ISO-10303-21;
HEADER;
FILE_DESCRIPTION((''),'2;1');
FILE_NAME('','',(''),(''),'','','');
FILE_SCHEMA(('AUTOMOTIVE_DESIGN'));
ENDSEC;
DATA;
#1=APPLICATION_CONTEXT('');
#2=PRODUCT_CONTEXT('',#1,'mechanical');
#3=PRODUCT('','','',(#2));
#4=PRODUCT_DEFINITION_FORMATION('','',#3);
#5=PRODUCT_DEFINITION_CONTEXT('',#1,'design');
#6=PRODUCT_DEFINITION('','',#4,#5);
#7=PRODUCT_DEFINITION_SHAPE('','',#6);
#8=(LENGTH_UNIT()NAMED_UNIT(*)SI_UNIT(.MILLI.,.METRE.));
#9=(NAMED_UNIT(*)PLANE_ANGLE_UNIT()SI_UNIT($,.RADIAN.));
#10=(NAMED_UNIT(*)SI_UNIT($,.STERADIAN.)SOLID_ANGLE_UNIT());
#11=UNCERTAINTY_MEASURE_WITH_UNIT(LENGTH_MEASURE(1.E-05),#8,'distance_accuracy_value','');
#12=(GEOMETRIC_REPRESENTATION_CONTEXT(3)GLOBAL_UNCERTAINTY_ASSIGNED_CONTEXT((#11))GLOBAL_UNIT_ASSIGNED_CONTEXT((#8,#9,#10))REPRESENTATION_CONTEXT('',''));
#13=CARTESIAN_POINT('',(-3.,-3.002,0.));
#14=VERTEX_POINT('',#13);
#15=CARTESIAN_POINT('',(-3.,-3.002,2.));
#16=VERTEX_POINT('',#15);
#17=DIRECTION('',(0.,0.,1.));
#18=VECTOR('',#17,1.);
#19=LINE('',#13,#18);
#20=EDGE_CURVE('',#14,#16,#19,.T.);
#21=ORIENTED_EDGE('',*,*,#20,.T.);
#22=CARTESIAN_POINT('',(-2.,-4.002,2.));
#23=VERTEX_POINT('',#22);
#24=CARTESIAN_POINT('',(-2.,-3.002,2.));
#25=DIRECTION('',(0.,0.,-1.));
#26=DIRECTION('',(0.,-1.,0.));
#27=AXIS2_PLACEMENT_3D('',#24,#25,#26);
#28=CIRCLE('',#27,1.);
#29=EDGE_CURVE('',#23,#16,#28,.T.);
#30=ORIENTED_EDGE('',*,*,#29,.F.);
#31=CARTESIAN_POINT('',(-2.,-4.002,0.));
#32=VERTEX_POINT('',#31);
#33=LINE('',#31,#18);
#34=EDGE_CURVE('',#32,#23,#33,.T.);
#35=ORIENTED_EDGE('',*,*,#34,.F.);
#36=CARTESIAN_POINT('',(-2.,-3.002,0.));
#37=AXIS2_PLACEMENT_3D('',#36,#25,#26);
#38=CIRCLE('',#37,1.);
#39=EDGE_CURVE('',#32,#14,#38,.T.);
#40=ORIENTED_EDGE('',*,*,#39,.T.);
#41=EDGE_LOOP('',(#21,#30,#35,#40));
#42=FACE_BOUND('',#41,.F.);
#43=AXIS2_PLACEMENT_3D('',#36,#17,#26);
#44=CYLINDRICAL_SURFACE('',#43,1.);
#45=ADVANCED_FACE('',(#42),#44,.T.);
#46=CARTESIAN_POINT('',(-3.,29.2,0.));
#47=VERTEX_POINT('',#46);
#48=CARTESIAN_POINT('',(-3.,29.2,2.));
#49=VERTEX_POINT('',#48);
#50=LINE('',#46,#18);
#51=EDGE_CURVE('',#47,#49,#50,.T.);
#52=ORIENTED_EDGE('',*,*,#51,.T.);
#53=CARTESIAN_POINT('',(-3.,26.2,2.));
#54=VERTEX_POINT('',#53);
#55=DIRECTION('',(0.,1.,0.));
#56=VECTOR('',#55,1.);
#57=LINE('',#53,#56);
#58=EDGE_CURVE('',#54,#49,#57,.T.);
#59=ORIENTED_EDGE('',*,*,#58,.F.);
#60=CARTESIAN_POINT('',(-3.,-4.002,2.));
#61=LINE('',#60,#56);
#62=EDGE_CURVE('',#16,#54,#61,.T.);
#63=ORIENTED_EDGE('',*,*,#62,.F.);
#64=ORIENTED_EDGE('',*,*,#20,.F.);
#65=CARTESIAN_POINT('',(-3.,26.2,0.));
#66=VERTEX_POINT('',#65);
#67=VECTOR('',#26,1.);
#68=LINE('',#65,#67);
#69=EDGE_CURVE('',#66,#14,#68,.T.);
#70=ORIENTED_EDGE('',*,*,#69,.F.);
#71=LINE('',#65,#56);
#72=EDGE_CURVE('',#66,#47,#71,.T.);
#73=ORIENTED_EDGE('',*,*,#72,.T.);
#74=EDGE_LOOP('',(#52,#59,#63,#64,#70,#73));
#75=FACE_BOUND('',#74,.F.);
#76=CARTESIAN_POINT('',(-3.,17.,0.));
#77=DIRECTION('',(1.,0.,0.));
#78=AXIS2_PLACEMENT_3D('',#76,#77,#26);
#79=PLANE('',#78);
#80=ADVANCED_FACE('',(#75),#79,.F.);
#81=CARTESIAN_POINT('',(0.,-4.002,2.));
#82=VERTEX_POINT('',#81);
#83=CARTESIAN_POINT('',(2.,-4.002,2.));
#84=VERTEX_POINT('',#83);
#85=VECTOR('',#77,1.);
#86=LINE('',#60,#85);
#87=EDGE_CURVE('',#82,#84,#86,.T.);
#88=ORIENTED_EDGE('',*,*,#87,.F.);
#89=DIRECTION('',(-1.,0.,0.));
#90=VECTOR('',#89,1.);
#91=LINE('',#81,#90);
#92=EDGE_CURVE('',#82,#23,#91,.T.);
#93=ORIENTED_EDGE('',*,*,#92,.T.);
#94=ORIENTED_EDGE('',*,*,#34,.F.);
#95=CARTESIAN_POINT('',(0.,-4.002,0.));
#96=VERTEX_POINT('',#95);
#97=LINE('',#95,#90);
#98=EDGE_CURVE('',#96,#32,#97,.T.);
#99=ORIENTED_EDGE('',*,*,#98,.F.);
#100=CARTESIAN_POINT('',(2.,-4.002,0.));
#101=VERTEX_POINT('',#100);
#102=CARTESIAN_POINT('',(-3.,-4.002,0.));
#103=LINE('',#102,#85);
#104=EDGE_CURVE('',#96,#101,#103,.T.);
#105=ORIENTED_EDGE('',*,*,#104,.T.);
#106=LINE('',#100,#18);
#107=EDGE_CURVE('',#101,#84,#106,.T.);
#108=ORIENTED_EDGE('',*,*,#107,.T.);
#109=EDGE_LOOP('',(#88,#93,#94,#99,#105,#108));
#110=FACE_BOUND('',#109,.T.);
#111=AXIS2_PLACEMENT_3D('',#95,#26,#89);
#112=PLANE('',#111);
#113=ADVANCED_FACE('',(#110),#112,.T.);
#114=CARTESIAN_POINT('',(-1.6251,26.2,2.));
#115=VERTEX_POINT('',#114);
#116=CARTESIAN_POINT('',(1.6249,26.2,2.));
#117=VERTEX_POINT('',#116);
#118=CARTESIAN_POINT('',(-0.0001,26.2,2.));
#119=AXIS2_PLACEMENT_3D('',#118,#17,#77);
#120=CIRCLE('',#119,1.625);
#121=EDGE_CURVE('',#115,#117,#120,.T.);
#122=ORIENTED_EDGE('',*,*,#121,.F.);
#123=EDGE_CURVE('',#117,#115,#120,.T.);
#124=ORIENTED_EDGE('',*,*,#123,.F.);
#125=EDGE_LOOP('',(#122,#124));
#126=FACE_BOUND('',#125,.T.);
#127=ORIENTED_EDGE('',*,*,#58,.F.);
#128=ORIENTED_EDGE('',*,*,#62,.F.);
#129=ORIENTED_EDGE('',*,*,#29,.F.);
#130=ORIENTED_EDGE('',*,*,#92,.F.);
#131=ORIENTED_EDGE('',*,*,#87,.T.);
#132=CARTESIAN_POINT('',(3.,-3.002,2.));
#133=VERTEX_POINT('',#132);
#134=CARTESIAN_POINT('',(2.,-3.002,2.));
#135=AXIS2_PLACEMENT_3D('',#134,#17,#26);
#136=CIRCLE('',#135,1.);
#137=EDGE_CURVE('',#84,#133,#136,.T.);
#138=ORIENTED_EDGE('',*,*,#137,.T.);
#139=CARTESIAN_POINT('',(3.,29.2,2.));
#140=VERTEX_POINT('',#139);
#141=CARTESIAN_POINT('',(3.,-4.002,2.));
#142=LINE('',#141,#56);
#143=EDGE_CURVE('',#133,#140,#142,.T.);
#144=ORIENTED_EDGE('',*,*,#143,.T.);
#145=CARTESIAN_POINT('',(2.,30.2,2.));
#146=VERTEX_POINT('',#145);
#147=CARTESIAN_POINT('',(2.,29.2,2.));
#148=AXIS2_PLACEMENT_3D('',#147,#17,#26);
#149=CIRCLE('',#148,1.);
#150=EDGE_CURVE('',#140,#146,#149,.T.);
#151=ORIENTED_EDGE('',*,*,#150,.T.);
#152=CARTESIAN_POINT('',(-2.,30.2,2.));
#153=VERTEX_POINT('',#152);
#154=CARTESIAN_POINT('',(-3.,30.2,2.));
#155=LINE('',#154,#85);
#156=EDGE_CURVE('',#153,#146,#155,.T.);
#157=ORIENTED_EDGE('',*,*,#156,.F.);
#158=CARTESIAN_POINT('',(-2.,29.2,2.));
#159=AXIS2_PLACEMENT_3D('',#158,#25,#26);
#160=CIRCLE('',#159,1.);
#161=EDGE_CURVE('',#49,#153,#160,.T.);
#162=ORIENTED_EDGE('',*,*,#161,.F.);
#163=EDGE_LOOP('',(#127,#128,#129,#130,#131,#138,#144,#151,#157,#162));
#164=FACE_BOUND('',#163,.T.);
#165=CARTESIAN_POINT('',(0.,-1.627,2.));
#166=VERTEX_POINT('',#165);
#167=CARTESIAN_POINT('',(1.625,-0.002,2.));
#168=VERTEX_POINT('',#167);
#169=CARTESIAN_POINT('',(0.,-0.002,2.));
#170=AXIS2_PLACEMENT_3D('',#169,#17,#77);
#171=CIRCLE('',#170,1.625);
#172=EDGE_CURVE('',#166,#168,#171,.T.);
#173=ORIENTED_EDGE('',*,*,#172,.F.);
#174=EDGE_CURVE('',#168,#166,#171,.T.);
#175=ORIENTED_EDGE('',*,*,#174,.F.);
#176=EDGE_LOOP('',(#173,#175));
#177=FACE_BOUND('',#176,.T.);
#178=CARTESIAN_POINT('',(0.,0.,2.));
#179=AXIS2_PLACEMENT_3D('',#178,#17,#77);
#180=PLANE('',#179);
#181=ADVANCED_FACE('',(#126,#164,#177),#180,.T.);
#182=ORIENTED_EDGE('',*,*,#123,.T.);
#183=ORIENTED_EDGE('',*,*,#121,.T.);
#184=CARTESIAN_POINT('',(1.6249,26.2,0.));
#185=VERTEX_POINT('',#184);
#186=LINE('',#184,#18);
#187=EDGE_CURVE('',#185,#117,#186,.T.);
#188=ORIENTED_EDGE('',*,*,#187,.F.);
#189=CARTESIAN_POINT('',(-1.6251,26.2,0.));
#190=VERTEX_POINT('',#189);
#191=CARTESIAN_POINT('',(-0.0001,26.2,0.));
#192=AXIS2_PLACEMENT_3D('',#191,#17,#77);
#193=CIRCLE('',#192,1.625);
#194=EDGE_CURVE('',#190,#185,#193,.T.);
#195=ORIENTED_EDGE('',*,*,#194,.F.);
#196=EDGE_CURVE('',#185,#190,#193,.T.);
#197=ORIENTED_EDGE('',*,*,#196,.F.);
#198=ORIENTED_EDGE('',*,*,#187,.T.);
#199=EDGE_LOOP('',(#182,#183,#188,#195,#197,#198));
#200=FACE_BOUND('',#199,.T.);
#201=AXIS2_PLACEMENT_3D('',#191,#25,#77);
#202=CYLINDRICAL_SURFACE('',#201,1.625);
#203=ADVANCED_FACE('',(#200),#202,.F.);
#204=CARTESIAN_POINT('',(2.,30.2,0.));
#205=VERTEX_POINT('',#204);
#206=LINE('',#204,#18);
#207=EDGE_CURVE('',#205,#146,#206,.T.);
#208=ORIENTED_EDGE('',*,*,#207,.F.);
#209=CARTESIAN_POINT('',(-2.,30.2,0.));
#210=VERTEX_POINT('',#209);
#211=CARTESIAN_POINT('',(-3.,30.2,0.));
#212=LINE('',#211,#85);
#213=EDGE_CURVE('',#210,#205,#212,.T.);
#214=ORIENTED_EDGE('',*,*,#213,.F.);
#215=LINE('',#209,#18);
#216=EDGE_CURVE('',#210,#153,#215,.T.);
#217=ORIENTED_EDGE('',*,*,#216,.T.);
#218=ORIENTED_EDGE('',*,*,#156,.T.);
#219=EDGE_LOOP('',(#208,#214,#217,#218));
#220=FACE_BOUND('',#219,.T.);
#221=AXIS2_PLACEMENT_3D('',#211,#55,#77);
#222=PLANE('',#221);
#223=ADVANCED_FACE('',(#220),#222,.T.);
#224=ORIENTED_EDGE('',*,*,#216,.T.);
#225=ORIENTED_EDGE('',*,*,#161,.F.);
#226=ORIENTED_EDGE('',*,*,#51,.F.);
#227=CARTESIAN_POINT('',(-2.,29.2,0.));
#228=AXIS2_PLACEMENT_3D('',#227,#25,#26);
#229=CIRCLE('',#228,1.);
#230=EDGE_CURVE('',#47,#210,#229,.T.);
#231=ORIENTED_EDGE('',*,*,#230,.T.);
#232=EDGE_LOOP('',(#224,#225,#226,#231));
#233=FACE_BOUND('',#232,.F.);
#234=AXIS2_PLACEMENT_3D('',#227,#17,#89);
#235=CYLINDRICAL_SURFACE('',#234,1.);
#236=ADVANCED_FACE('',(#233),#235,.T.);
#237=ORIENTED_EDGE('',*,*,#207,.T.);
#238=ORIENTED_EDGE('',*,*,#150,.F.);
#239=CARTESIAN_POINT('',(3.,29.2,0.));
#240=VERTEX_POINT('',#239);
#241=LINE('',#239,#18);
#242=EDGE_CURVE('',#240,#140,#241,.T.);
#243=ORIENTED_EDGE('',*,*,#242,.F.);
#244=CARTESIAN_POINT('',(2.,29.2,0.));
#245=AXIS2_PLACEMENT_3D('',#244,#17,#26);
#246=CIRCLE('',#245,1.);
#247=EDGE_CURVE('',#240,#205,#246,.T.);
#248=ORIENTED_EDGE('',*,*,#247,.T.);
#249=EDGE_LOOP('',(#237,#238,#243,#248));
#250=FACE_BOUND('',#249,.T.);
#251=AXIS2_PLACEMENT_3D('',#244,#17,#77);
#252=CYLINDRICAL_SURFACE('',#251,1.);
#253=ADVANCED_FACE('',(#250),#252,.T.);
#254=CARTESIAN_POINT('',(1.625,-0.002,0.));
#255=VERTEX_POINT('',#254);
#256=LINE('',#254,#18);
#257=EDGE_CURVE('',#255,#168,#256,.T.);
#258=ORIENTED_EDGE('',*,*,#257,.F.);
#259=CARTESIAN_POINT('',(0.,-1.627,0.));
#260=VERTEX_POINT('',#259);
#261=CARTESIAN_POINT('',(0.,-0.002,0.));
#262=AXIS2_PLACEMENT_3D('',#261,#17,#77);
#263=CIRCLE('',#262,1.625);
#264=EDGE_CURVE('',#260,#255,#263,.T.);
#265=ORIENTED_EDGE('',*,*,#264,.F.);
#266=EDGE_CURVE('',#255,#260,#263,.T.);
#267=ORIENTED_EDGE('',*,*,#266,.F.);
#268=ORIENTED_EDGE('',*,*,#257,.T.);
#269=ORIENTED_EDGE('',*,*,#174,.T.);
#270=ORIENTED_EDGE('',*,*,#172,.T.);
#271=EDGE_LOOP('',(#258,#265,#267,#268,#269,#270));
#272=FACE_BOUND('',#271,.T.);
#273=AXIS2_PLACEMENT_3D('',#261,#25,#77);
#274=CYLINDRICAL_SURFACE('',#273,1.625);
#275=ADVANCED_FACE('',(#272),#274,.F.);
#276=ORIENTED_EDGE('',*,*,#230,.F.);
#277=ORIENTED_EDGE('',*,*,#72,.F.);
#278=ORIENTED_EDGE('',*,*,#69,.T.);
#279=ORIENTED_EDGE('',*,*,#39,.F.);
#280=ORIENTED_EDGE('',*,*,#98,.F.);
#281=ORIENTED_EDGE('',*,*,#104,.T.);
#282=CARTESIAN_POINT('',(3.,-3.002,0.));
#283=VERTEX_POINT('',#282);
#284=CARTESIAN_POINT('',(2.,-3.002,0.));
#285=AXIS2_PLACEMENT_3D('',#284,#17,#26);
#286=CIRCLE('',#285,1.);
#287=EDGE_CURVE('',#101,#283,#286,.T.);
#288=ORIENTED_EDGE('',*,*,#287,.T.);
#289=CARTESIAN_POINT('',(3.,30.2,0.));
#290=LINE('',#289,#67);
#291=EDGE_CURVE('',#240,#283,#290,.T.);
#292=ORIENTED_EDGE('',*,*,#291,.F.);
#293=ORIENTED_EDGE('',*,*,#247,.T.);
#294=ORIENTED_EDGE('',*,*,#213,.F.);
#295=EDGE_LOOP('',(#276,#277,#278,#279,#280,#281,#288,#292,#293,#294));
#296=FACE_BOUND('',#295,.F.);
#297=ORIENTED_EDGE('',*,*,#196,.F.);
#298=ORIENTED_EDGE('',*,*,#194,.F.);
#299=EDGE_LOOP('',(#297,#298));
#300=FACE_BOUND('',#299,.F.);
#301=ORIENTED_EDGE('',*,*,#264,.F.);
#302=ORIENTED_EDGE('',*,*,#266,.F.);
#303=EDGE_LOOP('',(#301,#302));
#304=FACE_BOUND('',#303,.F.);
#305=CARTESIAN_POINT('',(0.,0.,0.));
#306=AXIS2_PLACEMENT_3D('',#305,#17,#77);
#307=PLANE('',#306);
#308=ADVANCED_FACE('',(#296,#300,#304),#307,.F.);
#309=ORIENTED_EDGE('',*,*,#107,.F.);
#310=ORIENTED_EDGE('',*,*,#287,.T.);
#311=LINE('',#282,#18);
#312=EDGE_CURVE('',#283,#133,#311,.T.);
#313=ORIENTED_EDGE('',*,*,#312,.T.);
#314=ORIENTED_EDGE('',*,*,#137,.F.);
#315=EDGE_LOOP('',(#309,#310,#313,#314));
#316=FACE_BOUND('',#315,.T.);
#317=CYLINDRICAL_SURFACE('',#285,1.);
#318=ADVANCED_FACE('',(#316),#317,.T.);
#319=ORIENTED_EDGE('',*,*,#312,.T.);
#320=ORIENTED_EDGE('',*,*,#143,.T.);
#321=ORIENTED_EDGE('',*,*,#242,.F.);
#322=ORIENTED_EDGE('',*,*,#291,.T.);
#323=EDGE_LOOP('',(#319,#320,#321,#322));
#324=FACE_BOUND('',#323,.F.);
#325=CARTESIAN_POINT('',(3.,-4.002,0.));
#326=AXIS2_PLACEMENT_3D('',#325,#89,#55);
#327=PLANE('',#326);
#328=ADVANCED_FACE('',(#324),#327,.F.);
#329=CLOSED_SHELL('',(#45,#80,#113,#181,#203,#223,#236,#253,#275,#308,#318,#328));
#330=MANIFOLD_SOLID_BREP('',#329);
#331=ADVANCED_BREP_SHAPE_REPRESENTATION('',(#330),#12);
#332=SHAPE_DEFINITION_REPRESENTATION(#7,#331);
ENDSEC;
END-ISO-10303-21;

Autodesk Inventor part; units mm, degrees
ref_plane "YZ Plane" through (0, 0, 0) normal (1, 0, 0) x (0, 1, 0)
ref_plane "XZ Plane" through (0, 0, 0) normal (0, 1, 0) x (-1, 0, 0)
ref_plane "XY Plane" through (0, 0, 0) normal (0, 0, 1) x (1, 0, 0)
sketch "Sketch1" plane through (0, 0, 0) normal (0, 0, 1) x (1, 0, 0)
  circle A0 centre (0, -0.002) radius 1.375 projected
  circle A1 centre (-0.0001, 26.2) radius 1.5 projected
  line L0 (0, -0.002) -> (0, -4.002)
  line L1 (0, -4.002) -> (-3, -4.002)
  line L2 (-0.0001, 26.2) -> (-3, 26.2)
  line L3 (-3, 26.2) -> (-3, 30.2)
  line L4 (-3, 30.2) -> (3, 30.2)
  line L5 (-3, -4.002) -> (3, -4.002)
  line L6 (3, -4.002) -> (3, 30.2)
  line L7 (3, 30.2) -> (-3, 30.2)
  line L8 (-3, 30.2) -> (-3, -4.002)
  circle A2 centre (0, -0.002) radius 1.625
  circle A3 centre (42.1135, 26.2) radius 1.5 projected
  circle A4 centre (-0.0001, 26.2) radius 1.5 projected
  line L9 (-6.8272, 34.4) -> (15.5728, 34.4) projected
  line L10 (-6.8272, 17) -> (-6.8272, 34.4) projected
  line L11 (48.6728, 17) -> (-6.8272, 17) projected
  line L12 (48.6728, 34.4) -> (48.6728, 17) projected
  line L13 (26.2804, 34.4) -> (48.6728, 34.4) projected
  line L14 (26.2804, 47.56) -> (26.2804, 34.4) projected
  line L15 (15.5728, 47.56) -> (26.2804, 47.56) projected
  line L16 (15.5728, 34.4) -> (15.5728, 47.56) projected
  circle A5 centre (20.9266, 44.75) radius 1.75 projected
  circle A6 centre (-0.0001, 26.2) radius 1.625
  point P0 (0, 0)
  dimension "d0" = 4
  dimension "d1" = 3
  dimension "d2" = 4
  dimension "d3" = 6
  dimension "d4" = 3.25
  dimension "d5" = 3.25
extrude "Extrusion1" add sketch "Sketch1" along normal blind 2 contours L1 L8 L11 L6 L5 | L8 L3 L4 L6 L11
fillet "Fillet1" radius 1 4 edges at (-3, -4.002, 1) (3, -4.002, 1) (3, 30.2, 1) (-3, 30.2, 1)
properties part number "SyringeBarTail"
